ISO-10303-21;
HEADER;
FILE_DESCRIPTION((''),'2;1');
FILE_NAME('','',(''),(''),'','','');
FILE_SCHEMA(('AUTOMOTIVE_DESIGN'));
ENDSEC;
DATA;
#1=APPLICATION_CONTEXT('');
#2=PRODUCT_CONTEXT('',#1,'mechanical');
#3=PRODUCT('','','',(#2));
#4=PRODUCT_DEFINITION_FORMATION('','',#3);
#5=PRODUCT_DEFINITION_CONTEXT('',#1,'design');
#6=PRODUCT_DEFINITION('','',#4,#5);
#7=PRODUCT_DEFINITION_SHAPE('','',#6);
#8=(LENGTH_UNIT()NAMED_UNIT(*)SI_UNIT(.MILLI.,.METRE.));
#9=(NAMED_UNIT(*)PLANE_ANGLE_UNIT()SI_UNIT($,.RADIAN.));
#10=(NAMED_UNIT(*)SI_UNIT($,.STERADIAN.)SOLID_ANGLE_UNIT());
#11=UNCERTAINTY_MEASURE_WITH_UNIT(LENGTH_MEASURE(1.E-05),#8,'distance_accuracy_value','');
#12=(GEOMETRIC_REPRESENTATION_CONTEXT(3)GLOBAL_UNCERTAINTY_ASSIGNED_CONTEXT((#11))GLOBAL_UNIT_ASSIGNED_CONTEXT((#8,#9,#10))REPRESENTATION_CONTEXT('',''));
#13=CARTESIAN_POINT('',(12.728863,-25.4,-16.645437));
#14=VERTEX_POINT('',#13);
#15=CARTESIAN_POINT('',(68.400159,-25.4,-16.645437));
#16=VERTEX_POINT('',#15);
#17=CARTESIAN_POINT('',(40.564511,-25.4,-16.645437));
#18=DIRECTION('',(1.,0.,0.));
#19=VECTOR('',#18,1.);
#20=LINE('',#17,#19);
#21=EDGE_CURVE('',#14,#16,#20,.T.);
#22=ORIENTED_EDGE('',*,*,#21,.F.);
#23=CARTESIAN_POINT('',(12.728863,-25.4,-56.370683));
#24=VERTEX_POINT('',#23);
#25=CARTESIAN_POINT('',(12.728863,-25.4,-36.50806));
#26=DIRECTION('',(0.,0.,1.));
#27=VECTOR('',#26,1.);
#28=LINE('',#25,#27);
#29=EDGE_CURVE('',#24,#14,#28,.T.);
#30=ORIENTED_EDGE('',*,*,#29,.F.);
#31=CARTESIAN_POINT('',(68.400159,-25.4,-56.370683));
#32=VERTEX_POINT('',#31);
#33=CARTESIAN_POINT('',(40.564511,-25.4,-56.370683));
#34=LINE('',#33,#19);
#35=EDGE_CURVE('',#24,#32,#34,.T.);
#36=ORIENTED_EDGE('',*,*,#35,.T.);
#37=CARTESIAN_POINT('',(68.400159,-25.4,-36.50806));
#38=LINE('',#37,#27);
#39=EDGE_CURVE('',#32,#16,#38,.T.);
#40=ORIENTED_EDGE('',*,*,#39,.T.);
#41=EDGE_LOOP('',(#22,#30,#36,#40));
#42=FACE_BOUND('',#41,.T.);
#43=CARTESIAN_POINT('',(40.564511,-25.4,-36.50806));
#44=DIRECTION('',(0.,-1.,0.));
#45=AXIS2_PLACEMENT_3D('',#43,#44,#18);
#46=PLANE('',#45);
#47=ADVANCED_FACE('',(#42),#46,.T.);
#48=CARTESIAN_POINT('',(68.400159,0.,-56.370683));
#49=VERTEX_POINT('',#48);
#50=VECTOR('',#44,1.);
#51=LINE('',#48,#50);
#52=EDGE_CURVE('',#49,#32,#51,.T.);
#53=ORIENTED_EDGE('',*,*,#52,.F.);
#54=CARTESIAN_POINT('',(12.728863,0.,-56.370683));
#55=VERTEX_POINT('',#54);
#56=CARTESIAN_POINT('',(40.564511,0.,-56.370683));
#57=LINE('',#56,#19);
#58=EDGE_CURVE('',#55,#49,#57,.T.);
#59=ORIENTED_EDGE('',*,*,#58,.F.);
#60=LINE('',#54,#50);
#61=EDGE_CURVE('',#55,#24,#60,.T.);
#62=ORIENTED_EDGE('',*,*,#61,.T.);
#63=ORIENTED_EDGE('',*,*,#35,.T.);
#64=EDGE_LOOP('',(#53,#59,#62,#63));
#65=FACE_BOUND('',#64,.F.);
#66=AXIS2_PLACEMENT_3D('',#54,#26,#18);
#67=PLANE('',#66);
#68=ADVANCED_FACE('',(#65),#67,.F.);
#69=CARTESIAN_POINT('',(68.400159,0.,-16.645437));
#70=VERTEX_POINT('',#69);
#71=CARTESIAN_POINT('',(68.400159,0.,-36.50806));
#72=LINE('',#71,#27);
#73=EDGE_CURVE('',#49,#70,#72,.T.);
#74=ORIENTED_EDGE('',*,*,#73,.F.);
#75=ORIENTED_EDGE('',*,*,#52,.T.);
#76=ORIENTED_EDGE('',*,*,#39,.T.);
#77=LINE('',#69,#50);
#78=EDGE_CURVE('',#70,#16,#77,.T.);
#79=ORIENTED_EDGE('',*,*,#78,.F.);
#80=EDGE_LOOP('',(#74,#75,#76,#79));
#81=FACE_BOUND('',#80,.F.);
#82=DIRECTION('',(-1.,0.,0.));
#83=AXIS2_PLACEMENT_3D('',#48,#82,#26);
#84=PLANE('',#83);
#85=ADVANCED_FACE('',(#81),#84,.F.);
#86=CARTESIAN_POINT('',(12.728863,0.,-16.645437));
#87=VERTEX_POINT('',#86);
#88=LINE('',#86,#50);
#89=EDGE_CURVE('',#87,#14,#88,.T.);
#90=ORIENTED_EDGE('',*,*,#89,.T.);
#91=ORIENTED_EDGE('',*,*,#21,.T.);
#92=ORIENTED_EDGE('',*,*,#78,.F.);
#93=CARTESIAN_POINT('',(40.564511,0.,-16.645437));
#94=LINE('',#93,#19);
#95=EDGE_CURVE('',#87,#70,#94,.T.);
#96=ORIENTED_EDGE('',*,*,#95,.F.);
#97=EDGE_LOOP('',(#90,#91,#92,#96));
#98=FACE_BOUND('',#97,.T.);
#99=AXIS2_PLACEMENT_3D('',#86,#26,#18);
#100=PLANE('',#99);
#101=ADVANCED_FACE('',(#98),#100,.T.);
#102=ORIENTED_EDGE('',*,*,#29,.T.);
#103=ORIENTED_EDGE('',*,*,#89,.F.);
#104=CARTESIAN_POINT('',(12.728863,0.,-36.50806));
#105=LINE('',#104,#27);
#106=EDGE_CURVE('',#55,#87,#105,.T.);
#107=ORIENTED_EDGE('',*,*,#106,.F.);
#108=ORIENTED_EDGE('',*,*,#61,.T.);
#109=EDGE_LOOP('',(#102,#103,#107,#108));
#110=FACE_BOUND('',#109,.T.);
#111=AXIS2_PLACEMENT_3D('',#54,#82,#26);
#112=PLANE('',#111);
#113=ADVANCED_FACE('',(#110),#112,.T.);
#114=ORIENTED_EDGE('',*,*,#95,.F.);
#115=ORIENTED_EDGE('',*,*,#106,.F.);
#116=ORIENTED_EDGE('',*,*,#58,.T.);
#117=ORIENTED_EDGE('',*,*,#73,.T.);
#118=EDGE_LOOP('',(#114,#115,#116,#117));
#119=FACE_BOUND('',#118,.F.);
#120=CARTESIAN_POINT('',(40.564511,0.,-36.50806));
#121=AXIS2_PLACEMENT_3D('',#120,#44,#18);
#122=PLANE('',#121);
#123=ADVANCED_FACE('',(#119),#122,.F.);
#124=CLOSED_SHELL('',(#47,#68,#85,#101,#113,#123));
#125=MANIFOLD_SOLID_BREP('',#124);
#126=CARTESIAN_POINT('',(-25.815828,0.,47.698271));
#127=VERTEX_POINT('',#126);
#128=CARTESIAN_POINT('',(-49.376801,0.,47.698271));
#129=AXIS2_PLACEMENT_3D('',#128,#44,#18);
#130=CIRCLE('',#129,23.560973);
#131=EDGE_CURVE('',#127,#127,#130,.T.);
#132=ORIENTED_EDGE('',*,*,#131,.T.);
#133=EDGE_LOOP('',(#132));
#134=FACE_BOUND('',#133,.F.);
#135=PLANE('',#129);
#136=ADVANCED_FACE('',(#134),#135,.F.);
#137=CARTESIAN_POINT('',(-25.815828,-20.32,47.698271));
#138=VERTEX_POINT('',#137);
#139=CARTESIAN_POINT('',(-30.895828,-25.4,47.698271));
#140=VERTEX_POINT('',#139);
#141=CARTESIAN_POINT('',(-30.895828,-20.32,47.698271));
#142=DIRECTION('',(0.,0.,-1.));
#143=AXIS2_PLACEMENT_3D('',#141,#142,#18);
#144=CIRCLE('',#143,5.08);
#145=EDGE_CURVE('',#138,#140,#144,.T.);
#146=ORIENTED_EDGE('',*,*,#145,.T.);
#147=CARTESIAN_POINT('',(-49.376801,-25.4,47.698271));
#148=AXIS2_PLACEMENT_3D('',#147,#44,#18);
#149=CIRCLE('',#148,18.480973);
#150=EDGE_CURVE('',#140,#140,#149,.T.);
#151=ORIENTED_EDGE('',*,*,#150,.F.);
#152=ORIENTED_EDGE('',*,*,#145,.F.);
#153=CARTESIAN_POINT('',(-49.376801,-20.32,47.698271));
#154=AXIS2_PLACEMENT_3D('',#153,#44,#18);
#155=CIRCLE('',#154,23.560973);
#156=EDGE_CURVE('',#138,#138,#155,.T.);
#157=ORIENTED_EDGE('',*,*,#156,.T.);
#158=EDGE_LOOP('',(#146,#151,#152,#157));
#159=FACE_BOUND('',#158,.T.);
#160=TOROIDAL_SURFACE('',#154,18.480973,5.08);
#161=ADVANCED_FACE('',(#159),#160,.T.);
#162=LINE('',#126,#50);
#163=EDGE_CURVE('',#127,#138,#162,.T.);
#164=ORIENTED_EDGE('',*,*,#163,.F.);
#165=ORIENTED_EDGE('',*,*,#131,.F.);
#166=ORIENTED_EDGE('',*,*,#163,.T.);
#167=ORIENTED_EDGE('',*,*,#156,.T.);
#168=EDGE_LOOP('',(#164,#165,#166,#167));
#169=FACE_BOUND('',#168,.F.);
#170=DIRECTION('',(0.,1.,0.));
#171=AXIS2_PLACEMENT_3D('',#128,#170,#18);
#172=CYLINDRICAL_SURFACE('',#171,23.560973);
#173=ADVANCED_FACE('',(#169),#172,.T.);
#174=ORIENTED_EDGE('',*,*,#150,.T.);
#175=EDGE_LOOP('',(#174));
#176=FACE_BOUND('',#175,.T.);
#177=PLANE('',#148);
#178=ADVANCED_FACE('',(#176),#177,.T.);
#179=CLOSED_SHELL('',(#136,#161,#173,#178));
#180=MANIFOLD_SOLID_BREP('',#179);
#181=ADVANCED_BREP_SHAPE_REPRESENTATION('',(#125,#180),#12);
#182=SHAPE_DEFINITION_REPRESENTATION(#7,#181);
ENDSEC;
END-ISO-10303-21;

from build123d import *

# Parameters (mm, degrees)
F0_R     = 23.560973
F0_W     = 55.671296
F0_H     = 39.725246
F1_DEPTH = 25.4
F2_R     = 5.08


with BuildPart() as f1:
    # F0 (on Front) → F1 (new body)
    with BuildSketch(Plane.XZ):
        with Locations((-49.376801, 47.698271)):
            Circle(F0_R)
        with Locations((40.564511, -36.50806)):
            Rectangle(F0_W, F0_H)
    extrude(amount=F1_DEPTH)

    # F2
    f2_edges = [f1.edges().sort_by_distance(p)[0] for p in [
        (-72.937774, -25.4, 47.698271),
    ]]
    fillet(f2_edges, radius=F2_R)


solid = f1.part
